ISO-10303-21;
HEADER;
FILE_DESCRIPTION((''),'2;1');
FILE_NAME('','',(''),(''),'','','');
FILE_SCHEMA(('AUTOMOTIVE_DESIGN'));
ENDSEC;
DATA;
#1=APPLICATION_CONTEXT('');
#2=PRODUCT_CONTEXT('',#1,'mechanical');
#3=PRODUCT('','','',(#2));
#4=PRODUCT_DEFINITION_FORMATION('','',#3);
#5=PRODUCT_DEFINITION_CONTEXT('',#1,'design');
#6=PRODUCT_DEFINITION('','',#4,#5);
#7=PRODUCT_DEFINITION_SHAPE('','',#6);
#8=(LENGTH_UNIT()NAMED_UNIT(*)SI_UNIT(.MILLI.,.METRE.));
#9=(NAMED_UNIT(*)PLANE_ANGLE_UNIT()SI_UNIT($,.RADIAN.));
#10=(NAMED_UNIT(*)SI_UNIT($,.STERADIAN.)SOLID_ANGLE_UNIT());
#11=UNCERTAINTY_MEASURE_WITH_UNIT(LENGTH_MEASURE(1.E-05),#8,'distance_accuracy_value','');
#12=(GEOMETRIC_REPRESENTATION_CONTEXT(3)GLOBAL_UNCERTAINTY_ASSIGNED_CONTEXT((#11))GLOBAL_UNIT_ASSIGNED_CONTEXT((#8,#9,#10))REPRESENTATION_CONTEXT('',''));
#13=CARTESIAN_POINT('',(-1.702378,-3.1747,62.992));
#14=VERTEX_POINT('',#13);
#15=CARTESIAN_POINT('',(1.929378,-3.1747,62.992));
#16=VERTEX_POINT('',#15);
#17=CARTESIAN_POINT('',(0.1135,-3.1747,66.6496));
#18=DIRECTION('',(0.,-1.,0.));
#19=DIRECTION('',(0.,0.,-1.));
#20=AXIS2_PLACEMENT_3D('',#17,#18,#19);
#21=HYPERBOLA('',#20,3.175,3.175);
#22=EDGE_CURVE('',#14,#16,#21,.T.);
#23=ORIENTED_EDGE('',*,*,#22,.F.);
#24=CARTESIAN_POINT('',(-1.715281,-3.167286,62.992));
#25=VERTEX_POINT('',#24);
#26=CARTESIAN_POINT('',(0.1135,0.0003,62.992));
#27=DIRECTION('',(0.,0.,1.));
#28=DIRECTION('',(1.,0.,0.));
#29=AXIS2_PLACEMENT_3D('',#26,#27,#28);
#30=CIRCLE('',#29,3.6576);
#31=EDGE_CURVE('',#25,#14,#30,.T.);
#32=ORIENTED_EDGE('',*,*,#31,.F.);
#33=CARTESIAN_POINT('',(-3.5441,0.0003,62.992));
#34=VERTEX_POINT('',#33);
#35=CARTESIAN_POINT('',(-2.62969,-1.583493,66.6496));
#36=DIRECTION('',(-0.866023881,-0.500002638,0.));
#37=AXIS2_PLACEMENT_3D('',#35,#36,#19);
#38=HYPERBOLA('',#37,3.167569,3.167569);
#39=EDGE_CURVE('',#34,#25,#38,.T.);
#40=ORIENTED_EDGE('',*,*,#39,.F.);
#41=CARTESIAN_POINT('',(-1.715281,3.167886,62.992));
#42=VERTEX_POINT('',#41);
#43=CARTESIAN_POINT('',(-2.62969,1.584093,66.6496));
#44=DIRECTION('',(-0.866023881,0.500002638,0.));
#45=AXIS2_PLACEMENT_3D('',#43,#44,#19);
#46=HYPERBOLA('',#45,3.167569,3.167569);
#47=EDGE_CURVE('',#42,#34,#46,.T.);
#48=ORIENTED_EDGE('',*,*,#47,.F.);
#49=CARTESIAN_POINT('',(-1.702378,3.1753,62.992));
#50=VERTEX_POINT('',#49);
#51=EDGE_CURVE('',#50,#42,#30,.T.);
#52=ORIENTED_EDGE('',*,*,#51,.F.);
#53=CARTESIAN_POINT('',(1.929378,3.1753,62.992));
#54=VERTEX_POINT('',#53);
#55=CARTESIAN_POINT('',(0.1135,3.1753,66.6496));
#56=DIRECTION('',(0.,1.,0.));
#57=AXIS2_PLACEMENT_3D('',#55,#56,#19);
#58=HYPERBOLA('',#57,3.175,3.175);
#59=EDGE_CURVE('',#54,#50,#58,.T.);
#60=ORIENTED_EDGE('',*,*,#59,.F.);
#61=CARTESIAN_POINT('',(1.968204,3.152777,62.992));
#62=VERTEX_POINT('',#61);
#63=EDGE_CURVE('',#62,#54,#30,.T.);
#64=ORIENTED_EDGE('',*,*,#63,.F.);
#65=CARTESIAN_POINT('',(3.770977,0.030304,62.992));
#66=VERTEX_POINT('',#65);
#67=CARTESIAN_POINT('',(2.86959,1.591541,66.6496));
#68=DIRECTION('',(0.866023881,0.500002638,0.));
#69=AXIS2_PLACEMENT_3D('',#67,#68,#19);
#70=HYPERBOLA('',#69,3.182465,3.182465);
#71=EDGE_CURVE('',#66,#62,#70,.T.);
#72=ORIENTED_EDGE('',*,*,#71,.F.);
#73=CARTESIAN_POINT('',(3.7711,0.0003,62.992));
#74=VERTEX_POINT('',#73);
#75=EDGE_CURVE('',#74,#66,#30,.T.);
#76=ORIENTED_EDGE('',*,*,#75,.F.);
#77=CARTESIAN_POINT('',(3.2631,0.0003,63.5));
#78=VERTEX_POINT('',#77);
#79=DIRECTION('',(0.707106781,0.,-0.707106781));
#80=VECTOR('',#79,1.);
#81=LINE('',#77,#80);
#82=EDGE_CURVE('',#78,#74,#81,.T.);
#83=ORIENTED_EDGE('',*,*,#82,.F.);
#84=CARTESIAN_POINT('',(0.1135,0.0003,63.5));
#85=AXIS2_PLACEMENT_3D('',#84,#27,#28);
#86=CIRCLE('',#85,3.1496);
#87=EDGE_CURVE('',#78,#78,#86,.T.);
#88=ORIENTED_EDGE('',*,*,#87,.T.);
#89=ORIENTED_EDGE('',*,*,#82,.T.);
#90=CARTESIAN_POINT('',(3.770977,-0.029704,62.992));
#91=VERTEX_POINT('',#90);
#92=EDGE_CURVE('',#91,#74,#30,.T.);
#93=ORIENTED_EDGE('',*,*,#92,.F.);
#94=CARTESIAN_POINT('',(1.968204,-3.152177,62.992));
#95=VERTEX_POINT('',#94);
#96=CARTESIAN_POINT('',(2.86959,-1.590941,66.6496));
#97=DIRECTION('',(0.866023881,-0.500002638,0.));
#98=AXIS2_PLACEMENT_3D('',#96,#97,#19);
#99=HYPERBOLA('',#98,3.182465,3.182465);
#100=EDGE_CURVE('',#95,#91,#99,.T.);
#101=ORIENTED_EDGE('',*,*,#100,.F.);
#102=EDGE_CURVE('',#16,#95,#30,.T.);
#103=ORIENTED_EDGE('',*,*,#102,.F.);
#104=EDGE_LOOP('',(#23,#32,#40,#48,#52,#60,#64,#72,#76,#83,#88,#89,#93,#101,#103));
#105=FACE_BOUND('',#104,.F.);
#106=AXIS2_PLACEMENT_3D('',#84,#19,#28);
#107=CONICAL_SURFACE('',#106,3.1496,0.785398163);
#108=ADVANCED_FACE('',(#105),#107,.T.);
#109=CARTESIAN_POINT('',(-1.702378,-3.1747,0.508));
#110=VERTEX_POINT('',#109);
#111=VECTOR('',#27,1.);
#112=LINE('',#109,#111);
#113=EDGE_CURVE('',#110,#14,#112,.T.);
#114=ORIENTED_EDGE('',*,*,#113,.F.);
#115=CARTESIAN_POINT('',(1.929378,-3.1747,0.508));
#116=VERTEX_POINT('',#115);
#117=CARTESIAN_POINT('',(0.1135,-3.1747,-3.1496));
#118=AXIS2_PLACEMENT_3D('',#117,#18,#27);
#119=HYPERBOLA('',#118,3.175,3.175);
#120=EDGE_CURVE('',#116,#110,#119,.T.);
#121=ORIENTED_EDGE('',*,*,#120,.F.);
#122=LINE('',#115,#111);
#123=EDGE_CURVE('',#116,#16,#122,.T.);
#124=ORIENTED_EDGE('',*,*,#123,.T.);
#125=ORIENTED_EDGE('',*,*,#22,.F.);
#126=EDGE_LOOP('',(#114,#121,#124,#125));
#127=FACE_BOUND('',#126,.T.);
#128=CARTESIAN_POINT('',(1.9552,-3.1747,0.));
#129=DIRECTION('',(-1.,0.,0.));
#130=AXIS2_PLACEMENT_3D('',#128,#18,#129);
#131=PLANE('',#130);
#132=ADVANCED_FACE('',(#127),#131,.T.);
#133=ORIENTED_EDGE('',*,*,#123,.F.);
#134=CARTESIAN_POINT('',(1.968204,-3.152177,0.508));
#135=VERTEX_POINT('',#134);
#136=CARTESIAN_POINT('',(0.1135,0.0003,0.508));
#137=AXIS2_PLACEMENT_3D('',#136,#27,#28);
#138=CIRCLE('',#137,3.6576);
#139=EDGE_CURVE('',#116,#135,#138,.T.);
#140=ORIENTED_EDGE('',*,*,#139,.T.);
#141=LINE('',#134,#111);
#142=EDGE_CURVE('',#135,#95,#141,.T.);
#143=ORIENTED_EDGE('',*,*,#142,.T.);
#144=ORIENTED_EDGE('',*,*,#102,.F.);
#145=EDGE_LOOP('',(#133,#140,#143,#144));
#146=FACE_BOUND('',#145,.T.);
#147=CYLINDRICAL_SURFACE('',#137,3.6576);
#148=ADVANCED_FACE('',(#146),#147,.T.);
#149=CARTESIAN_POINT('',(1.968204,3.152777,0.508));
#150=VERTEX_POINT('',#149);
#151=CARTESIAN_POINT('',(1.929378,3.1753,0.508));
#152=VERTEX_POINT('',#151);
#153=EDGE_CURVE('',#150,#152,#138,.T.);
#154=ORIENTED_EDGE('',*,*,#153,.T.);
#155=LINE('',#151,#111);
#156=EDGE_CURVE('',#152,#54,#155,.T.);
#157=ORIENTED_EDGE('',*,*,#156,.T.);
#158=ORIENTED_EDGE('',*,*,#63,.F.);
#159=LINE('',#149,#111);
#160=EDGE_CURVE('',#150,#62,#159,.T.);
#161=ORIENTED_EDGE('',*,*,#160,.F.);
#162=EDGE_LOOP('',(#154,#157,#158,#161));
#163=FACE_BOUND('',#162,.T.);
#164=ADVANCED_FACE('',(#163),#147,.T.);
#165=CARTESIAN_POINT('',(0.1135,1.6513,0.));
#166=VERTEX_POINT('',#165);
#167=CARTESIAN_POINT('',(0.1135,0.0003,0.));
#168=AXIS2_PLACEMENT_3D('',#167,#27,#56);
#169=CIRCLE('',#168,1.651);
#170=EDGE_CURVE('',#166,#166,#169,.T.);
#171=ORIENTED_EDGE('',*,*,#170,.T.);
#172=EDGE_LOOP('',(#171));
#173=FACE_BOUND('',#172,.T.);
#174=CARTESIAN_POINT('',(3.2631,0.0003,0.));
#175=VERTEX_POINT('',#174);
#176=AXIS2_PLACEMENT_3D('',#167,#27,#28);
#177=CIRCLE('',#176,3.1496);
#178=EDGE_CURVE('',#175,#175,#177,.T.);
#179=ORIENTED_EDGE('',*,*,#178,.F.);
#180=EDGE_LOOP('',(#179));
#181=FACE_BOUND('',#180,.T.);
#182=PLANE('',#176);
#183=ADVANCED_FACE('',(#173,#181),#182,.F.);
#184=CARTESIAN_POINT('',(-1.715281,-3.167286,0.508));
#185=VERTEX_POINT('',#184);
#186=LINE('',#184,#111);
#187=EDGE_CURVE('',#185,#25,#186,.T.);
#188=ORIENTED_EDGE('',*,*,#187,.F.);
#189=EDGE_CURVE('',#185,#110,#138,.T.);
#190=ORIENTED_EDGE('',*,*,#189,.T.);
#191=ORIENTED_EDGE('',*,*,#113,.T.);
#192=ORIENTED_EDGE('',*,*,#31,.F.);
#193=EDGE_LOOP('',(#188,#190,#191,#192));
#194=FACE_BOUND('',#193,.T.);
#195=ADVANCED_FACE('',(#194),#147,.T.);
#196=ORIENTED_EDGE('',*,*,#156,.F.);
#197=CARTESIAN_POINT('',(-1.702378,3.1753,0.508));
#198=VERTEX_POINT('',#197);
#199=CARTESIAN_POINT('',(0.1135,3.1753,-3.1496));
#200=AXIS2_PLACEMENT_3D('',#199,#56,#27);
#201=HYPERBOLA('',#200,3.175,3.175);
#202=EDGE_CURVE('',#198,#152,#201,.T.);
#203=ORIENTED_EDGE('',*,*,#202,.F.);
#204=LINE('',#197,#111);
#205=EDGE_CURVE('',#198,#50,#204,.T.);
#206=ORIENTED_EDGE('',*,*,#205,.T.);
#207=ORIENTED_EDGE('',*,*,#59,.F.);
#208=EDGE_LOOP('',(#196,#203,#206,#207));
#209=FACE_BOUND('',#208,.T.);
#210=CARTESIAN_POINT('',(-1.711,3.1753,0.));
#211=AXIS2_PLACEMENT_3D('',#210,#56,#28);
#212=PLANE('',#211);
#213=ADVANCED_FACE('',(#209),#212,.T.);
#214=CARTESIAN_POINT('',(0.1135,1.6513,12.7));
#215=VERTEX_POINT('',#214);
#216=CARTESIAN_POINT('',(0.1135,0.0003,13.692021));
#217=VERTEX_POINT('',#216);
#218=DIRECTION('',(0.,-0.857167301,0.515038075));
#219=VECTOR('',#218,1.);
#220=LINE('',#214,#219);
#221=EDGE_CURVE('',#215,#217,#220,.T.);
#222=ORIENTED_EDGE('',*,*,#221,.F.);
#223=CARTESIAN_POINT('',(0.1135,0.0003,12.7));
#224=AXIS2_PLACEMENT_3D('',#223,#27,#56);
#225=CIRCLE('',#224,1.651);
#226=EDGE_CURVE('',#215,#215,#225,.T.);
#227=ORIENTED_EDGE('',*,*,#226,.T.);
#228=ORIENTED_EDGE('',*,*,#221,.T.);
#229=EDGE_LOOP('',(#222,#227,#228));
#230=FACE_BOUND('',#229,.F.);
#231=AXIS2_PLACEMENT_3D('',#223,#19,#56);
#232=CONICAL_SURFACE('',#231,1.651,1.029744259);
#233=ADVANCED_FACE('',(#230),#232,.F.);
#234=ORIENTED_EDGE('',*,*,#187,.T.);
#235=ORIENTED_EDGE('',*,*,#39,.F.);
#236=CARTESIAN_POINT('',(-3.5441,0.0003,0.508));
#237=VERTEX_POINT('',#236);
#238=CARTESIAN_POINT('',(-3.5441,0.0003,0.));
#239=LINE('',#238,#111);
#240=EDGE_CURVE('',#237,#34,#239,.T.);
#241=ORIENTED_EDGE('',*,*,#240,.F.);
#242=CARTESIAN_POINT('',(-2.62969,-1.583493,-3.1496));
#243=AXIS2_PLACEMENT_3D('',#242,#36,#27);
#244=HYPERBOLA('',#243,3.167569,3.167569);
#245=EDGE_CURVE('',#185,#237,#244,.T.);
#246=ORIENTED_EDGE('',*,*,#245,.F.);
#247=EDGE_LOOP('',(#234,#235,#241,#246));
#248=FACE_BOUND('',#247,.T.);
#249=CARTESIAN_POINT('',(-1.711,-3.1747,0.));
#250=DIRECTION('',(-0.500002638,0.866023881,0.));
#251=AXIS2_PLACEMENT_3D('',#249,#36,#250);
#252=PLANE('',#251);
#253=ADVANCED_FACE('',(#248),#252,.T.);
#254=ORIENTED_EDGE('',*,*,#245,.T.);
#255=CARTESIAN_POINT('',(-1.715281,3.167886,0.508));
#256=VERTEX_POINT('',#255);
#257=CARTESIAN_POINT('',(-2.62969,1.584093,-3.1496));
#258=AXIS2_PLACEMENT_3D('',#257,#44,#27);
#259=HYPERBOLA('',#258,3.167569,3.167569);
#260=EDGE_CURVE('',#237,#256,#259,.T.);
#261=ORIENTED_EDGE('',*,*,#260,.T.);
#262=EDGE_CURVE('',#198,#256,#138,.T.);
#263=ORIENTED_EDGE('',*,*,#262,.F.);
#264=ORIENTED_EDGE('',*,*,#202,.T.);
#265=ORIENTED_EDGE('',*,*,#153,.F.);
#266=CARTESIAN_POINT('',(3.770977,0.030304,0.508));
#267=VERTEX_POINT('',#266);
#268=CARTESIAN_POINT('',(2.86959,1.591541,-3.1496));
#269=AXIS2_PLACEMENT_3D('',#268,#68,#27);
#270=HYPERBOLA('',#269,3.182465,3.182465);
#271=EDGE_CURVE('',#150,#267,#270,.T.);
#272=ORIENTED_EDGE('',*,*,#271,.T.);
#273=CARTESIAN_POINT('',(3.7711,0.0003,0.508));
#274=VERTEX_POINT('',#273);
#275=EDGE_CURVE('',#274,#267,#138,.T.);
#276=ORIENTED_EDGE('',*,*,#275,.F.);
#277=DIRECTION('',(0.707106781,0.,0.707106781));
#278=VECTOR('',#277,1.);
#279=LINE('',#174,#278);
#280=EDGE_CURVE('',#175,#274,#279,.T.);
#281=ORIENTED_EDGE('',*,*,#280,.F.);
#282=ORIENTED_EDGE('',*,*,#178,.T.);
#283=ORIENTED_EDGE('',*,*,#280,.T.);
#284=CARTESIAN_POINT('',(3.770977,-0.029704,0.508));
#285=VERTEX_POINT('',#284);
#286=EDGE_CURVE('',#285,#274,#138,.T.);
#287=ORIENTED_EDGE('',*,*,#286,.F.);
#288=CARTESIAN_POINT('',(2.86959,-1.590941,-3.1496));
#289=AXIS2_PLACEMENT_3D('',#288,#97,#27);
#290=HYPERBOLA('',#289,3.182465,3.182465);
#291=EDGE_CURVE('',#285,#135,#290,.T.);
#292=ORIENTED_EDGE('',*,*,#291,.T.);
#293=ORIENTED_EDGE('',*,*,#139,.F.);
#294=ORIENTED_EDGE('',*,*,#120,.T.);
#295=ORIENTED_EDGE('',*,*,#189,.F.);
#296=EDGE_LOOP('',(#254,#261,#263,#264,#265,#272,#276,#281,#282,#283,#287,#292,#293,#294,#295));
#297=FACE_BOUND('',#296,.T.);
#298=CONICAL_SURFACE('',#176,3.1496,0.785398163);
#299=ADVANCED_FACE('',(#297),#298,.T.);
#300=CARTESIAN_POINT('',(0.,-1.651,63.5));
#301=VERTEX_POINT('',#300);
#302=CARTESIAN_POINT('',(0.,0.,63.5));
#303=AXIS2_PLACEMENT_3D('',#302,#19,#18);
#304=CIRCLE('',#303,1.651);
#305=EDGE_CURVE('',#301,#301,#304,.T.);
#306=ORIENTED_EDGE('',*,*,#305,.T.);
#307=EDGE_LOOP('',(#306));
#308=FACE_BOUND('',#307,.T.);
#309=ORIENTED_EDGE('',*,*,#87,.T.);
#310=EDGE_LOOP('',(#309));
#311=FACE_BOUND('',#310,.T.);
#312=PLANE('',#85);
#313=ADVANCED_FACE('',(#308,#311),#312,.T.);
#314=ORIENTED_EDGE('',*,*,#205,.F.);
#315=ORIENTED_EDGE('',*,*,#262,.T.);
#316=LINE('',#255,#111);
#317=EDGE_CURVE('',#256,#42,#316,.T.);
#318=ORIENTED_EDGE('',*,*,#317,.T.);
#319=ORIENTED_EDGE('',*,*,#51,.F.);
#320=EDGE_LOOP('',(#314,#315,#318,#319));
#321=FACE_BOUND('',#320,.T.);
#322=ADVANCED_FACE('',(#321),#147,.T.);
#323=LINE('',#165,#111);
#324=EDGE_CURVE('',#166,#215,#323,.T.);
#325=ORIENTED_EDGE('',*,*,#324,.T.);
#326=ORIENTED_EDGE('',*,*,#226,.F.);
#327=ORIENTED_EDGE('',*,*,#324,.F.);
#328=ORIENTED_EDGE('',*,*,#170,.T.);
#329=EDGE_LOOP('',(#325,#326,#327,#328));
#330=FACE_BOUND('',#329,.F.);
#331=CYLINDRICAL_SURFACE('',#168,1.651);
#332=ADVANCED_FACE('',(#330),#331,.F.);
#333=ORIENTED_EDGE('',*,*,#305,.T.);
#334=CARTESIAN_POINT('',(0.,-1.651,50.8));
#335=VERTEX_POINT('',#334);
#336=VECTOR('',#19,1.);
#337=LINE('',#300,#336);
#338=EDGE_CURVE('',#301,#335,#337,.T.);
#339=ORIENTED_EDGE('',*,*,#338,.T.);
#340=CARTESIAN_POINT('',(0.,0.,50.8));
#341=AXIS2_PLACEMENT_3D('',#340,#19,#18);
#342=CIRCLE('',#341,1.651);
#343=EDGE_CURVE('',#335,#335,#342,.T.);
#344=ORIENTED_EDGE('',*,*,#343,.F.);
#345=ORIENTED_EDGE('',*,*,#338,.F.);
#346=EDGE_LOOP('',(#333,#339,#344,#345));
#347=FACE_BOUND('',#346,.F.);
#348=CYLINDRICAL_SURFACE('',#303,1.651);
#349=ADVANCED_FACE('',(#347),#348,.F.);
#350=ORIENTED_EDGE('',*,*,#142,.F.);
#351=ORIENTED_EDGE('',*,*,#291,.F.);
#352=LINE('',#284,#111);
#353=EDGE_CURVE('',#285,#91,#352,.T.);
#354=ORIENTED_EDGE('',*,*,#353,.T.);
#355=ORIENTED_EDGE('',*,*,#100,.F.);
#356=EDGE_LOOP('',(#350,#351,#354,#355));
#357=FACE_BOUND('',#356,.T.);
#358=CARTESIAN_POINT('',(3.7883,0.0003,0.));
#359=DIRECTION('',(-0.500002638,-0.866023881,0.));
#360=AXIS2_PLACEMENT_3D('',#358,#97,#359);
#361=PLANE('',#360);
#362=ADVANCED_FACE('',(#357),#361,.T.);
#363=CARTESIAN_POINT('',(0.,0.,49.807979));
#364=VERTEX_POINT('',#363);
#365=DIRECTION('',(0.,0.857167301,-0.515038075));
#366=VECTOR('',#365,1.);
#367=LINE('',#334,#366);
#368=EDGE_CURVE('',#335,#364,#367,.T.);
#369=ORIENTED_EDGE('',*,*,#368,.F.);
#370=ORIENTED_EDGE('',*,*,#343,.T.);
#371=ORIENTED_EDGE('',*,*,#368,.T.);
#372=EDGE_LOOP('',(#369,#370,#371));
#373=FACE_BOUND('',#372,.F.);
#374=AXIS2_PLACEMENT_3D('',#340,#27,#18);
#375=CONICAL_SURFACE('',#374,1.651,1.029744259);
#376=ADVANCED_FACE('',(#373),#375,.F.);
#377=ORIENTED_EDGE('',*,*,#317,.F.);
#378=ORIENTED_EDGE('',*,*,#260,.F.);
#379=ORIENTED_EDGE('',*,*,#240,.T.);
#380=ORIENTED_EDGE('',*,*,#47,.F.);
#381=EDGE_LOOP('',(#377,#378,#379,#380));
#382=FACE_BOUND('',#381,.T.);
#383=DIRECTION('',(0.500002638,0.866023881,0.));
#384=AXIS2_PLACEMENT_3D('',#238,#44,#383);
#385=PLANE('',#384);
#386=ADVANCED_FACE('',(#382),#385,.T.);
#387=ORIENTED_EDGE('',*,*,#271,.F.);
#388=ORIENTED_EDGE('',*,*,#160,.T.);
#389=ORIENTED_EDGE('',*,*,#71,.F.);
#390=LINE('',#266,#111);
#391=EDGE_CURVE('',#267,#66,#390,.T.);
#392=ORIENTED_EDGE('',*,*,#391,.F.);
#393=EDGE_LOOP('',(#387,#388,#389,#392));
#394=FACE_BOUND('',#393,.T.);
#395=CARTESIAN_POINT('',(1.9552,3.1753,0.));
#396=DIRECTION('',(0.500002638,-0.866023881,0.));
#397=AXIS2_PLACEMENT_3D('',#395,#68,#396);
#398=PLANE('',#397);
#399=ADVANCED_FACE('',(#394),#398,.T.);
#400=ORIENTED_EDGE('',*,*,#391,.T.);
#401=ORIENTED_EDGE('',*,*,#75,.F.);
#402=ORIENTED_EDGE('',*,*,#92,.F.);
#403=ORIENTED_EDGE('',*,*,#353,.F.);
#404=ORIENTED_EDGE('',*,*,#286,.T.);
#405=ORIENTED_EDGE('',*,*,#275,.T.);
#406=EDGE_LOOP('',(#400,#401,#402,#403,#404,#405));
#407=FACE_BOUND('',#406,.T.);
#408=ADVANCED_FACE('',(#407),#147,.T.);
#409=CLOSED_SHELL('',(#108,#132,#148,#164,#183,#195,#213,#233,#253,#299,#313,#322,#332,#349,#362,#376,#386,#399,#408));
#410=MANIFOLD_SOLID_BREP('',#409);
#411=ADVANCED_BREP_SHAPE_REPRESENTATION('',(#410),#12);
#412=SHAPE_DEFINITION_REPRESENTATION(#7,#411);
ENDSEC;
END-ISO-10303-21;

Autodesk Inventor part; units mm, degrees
ref_plane "YZ Plane" through (0, 0, 0) normal (1, 0, 0) x (0, 1, 0)
sketch "Sketch1" plane through (0, 0, 0) normal (0, 0, 1) x (1, 0, 0)
  line L0 (1.9552, -3.1747) -> (-1.711, -3.1747)
  line L1 (-1.711, -3.1747) -> (-3.5441, 0.0003)
  line L2 (-3.5441, 0.0003) -> (-1.711, 3.1753)
  line L3 (-1.711, 3.1753) -> (1.9552, 3.1753)
  line L4 (1.9552, 3.1753) -> (3.7883, 0.0003)
  line L5 (3.7883, 0.0003) -> (1.9552, -3.1747)
  point P0 (0.1221, 0.0003)
  dimension "d0" = 6.35
extrude "Extrusion1" add sketch "Sketch1" along normal blind 63.5
ref_plane "Work Plane1" through (-1.711, 0.0003, 0) normal (0, 1, 0) x (1, 0, 0)
sketch "Sketch3" plane through (-1.711, 0.0003, 0) normal (0, 1, 0) x (1, 0, 0)
  line L0 (-1.3251, 0) -> (4.9741, 0)
  line L1 (5.4821, -0.508) -> (5.4821, -62.992)
  line L2 (-1.8331, -62.992) -> (-1.8331, -0.508)
  line L3 (-1.8331, -0.508) -> (-1.3251, 0)
  line L4 (4.9741, 0) -> (5.4821, -0.508)
  line L5 (-1.8331, 0) -> (-1.8331, -63.5) projected
  line L6 (3.6662, 0) -> (5.4993, 0) projected
  line L7 (1.8245, 0) -> (1.8245, -63.5)
  line L8 (0, -63.5) -> (-1.8331, -63.5) projected
  line L9 (5.4993, -63.5) -> (3.6662, -63.5) projected
  line L10 (3.6662, -63.5) -> (0, -63.5) projected
  line L11 (-1.3251, -63.5) -> (-1.8331, -62.992)
  line L12 (4.9741, -63.5) -> (5.4821, -62.992)
  point P0 (-1.8331, 0)
  point P1 (5.4821, 0)
  point P2 (5.4821, -63.5)
  dimension "d5" = 0.508
  dimension "d6" = 0.508
  dimension "d7" = 0.508
  dimension "d8" = 0.508
  dimension "d16" = 0
  dimension "d46" = 0.508
  dimension "d47" = 0.508
  dimension "d48" = 0.508
  dimension "d49" = 0.508
revolve "Revolution1" cut sketch "Sketch3" angle 360 about axis through (0.1135, 0.0003, 0) along (0, 0, 1) keep common part contours L0 L4 L1 L12 L9 L10 L7
sketch "Sketch6" plane through (0.1135, 0.0003, 0) normal (0, 0, -1) x (-1, 0, 0)
  circle A0 centre (0, 0) radius 3.1496 projected
hole "Hole3" at (0.1135, 0.0003, 0) direction (0, 0, 1) diameter 3.302 depth 12.7 tip angle 118 thread size "8-32 UNC" class "2B" standard "ANSI Unified Screw Threads"
sketch "Sketch7" plane through (0, 0, 63.5) normal (0, 0, 1) x (1, 0, 0)
  point P0 (0, 0)
hole "Hole4" at (0, 0, 63.5) direction (0, 0, -1) diameter 3.302 depth 12.7 tip angle 118 thread size "8-32 UNC" class "2B" standard "ANSI Unified Screw Threads"
ref_plane "Work Plane2" through (0.1135, 0.0003, 31.75) normal (0, 0, -1) x (-1, 0, 0)
equation "\"d6\" = d5"
equation "\"d7\" = d5"
equation "\"d8\" = d7"
properties part number "2.5 inch Standoff" material "Steel"
